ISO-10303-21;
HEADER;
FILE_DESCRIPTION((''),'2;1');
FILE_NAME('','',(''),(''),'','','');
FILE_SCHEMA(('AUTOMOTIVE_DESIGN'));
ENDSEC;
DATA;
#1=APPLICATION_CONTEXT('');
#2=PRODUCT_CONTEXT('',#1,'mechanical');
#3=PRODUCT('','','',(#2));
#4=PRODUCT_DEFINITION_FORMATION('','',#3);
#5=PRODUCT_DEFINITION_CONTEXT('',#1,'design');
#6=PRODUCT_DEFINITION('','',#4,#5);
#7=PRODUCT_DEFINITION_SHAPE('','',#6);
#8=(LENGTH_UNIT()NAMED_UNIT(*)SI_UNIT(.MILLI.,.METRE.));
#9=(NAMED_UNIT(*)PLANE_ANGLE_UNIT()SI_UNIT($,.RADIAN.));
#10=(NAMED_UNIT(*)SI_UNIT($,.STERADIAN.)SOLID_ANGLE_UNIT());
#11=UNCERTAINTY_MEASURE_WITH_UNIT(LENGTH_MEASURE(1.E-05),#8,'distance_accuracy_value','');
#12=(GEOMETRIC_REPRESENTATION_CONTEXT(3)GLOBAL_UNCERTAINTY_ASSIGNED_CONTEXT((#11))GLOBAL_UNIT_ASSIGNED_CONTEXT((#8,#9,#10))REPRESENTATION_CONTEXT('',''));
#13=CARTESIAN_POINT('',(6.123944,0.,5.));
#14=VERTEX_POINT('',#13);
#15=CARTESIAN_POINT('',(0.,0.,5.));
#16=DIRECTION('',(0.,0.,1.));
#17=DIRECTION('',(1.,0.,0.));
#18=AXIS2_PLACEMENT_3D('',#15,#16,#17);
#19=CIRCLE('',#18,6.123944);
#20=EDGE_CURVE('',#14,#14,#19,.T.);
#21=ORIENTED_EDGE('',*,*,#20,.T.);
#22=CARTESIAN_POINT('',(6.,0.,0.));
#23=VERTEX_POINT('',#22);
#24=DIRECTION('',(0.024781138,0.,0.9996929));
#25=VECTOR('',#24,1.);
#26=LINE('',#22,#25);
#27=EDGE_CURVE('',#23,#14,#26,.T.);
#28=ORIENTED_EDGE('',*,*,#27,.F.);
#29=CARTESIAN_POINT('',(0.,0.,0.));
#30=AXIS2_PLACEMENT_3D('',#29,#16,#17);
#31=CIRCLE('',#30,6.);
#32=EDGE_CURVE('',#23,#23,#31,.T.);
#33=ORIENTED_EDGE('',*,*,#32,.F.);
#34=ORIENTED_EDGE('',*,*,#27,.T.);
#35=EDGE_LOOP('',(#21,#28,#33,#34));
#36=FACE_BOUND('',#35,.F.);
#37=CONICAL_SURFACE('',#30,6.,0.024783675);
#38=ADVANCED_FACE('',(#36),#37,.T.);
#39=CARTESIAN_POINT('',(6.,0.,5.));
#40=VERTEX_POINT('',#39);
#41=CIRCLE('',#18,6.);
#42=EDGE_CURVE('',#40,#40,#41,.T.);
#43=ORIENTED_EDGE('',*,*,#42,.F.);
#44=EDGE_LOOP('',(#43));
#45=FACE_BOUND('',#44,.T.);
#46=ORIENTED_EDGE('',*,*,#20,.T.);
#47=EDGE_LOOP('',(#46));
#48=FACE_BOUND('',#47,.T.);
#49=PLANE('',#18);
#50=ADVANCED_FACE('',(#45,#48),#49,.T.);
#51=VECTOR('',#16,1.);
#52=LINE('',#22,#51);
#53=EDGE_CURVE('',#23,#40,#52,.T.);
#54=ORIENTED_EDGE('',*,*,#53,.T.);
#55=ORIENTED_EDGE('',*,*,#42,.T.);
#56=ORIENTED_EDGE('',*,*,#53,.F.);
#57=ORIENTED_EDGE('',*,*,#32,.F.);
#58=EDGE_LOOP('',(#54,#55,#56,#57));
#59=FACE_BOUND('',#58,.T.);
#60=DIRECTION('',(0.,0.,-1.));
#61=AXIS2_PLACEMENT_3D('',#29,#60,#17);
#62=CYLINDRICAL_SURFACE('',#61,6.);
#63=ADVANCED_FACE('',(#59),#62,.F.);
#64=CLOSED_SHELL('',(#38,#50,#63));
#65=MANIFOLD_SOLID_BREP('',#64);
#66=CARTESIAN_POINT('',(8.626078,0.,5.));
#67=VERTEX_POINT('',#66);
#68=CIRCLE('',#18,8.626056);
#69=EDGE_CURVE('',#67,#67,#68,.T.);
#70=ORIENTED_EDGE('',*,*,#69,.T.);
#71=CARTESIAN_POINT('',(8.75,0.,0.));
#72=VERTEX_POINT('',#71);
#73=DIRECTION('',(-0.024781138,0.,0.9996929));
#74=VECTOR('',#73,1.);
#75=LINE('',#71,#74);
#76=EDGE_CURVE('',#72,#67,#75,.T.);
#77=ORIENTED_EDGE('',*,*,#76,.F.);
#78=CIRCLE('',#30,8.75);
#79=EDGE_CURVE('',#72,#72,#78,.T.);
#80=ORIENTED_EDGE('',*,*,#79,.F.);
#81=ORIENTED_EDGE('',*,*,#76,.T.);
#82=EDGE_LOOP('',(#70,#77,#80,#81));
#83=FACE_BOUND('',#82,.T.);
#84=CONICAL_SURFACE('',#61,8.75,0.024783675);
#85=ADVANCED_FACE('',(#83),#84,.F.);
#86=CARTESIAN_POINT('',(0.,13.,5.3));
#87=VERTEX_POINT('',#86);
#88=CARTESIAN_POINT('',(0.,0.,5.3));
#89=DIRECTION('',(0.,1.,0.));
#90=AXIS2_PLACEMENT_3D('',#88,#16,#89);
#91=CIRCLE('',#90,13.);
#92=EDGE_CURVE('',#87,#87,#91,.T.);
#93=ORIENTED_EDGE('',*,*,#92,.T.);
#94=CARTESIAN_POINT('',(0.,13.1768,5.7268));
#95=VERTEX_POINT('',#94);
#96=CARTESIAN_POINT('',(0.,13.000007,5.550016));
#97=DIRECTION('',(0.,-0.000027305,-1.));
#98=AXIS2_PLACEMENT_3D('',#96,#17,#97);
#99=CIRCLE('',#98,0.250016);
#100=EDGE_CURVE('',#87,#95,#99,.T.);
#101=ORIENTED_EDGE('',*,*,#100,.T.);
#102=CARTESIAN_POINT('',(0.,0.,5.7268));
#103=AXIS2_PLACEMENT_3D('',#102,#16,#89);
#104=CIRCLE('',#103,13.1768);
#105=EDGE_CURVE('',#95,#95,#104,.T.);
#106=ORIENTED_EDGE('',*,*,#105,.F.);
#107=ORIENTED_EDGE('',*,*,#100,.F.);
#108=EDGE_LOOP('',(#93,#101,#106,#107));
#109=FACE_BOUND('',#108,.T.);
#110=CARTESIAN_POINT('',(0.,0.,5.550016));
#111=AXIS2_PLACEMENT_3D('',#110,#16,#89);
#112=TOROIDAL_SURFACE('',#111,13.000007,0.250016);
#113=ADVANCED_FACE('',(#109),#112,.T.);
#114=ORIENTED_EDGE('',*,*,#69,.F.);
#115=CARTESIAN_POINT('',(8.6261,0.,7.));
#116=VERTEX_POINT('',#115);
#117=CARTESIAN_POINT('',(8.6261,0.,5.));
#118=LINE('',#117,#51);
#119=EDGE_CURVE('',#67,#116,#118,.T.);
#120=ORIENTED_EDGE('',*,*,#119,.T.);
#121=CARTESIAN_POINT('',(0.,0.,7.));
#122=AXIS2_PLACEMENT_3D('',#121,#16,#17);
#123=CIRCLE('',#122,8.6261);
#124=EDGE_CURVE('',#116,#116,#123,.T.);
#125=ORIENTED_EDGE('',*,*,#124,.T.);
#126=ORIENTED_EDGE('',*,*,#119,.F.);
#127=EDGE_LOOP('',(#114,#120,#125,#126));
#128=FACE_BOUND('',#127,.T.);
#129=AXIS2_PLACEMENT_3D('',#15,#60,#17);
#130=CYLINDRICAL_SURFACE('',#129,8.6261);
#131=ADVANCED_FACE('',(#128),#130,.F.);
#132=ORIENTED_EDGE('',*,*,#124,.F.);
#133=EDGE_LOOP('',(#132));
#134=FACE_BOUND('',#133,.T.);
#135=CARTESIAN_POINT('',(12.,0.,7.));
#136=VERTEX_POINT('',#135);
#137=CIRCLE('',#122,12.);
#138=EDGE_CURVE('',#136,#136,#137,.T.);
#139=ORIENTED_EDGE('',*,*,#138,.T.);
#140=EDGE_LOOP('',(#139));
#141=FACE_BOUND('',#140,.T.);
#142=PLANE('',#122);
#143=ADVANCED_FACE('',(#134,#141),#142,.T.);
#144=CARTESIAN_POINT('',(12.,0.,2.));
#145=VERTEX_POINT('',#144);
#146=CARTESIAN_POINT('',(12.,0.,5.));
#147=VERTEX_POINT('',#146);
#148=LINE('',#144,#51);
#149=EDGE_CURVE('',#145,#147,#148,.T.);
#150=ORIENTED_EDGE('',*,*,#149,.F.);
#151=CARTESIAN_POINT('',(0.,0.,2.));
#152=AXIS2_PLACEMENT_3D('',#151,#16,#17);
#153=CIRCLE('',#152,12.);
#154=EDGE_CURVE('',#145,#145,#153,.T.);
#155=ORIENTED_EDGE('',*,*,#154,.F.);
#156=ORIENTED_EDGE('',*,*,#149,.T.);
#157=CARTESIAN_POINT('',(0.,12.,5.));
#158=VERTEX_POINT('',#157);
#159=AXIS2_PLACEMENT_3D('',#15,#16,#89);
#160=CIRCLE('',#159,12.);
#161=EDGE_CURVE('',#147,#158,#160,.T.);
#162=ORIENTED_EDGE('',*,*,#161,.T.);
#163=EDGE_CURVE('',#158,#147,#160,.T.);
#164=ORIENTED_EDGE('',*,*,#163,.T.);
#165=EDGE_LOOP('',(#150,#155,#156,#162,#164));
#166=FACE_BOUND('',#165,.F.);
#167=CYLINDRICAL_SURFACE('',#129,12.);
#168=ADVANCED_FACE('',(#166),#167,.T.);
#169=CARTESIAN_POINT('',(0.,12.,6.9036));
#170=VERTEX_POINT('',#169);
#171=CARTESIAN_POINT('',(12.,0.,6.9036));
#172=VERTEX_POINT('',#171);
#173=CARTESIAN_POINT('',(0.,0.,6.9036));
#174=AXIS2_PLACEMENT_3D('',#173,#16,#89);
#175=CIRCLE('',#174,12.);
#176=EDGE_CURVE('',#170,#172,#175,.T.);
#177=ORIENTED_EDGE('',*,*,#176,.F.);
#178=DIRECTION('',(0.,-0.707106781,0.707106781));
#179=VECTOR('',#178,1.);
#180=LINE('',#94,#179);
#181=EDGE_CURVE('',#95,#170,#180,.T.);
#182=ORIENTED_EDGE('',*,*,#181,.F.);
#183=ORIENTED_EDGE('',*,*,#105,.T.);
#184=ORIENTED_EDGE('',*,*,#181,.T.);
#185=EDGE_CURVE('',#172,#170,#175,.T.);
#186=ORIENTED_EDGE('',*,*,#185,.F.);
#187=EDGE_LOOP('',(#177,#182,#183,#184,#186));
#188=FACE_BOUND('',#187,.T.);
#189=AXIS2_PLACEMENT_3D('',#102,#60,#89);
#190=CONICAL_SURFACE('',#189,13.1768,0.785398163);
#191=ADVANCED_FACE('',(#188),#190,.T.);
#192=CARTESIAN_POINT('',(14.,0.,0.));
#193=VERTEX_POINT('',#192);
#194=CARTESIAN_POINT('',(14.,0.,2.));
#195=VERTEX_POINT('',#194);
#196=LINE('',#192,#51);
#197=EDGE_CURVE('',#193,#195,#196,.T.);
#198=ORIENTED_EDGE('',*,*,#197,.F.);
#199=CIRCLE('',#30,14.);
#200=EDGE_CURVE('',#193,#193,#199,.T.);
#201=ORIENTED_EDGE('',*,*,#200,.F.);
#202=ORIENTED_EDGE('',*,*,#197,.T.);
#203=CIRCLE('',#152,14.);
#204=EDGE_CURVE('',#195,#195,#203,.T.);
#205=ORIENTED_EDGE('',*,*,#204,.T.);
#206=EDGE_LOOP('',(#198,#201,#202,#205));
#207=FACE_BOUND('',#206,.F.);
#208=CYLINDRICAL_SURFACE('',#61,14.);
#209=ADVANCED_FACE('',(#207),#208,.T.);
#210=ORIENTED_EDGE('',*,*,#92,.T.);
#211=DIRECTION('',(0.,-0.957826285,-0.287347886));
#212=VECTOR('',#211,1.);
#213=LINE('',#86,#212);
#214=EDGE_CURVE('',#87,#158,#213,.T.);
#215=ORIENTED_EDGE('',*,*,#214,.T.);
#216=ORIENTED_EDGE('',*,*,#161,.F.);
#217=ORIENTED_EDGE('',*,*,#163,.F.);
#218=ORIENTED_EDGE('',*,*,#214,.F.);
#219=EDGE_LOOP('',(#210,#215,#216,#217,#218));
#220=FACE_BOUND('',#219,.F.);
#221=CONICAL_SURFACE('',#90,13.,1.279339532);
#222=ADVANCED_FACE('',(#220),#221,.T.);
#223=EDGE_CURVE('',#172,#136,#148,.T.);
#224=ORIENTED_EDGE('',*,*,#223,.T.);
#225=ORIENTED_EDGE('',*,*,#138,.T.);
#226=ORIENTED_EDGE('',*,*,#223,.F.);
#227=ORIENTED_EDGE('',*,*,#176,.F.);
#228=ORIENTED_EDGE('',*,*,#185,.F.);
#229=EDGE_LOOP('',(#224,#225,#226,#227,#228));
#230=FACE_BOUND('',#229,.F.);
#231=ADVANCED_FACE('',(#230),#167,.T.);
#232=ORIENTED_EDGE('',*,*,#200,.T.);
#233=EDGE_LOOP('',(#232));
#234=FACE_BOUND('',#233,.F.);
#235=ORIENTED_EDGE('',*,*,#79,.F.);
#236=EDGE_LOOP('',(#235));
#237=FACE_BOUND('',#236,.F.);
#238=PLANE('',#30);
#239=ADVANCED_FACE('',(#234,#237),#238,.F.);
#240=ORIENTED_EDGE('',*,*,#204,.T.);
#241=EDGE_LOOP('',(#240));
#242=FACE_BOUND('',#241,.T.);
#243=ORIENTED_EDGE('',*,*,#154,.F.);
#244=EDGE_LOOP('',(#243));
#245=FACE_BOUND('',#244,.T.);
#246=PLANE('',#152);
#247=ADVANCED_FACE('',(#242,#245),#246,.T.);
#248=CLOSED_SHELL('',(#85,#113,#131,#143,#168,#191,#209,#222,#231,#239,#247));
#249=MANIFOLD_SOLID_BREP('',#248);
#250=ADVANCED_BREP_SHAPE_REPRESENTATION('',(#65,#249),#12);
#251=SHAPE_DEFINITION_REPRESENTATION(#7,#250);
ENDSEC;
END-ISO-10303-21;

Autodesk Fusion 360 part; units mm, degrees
sketch "Sketch1" plane through (0, 0, 0) normal (0, 0, 1) x (1, 0, 0)
  circle A0 centre (0, 0) radius 8.75
  circle A1 centre (0, 0) radius 12
  circle A2 centre (0, 0) radius 14
  circle A3 centre (0, 0) radius 6
  circle A4 centre (0, 0) radius 2.5
  dimension "d1" = 17.5
  dimension "d2" = 24
  dimension "d3" = 28
  dimension "d8" = 12
  dimension "d11" = 5
extrude "Extrude1" add sketch "Sketch1" along normal blind 2 contours A2
extrude "Extrude2" add sketch "Sketch1" along normal blind 5 contours A0 | A1
extrude "Extrude3" cut sketch "Sketch1" along normal blind 5 draft -1.42 contours A0 | A3
sketch "Sketch2" plane through (0, 0, 5) normal (0, 0, 1) x (1, 0, 0)
  circle A0 centre (0, 0) radius 8.6261
  circle A1 centre (0, 0) radius 12
  circle A2 centre (0, 0) radius 8.6261
  circle A3 centre (0, 0) radius 12
  circle A4 centre (0, 0) radius 14
  dimension "d12" = 28
extrude "Extrude4" add sketch "Sketch2" along normal blind 2 contours A1 A3
sketch "Sketch3" plane through (0, 0, 0) normal (1, 0, 0) x (0, 0, -1)
  line L0 (-5.3, 12) -> (-5.3, 13)
  line L1 (-5.7268, 13.1768) -> (-6.9036, 12)
  line L2 (-6.9036, 12) -> (-5.3, 12)
  arc A0 (-5.3, 13) -> (-5.7268, 13.1768) centre (-5.55, 13) ccw
  line L3 (-7, 12) -> (-7, -12)
  line L4 (-2, -12) -> (-2, 12)
  line L5 (-5.3, 13) -> (-5, 12)
  line L6 (-5, 12) -> (-5.3, 12)
  dimension "d15" = 0.25
  dimension "d17" = 1
  dimension "d18" = 1.7
revolve "Revolve1" add sketch "Sketch3" angle 360 about axis through (0, 0, 1.75) along (0, 0, 1)
